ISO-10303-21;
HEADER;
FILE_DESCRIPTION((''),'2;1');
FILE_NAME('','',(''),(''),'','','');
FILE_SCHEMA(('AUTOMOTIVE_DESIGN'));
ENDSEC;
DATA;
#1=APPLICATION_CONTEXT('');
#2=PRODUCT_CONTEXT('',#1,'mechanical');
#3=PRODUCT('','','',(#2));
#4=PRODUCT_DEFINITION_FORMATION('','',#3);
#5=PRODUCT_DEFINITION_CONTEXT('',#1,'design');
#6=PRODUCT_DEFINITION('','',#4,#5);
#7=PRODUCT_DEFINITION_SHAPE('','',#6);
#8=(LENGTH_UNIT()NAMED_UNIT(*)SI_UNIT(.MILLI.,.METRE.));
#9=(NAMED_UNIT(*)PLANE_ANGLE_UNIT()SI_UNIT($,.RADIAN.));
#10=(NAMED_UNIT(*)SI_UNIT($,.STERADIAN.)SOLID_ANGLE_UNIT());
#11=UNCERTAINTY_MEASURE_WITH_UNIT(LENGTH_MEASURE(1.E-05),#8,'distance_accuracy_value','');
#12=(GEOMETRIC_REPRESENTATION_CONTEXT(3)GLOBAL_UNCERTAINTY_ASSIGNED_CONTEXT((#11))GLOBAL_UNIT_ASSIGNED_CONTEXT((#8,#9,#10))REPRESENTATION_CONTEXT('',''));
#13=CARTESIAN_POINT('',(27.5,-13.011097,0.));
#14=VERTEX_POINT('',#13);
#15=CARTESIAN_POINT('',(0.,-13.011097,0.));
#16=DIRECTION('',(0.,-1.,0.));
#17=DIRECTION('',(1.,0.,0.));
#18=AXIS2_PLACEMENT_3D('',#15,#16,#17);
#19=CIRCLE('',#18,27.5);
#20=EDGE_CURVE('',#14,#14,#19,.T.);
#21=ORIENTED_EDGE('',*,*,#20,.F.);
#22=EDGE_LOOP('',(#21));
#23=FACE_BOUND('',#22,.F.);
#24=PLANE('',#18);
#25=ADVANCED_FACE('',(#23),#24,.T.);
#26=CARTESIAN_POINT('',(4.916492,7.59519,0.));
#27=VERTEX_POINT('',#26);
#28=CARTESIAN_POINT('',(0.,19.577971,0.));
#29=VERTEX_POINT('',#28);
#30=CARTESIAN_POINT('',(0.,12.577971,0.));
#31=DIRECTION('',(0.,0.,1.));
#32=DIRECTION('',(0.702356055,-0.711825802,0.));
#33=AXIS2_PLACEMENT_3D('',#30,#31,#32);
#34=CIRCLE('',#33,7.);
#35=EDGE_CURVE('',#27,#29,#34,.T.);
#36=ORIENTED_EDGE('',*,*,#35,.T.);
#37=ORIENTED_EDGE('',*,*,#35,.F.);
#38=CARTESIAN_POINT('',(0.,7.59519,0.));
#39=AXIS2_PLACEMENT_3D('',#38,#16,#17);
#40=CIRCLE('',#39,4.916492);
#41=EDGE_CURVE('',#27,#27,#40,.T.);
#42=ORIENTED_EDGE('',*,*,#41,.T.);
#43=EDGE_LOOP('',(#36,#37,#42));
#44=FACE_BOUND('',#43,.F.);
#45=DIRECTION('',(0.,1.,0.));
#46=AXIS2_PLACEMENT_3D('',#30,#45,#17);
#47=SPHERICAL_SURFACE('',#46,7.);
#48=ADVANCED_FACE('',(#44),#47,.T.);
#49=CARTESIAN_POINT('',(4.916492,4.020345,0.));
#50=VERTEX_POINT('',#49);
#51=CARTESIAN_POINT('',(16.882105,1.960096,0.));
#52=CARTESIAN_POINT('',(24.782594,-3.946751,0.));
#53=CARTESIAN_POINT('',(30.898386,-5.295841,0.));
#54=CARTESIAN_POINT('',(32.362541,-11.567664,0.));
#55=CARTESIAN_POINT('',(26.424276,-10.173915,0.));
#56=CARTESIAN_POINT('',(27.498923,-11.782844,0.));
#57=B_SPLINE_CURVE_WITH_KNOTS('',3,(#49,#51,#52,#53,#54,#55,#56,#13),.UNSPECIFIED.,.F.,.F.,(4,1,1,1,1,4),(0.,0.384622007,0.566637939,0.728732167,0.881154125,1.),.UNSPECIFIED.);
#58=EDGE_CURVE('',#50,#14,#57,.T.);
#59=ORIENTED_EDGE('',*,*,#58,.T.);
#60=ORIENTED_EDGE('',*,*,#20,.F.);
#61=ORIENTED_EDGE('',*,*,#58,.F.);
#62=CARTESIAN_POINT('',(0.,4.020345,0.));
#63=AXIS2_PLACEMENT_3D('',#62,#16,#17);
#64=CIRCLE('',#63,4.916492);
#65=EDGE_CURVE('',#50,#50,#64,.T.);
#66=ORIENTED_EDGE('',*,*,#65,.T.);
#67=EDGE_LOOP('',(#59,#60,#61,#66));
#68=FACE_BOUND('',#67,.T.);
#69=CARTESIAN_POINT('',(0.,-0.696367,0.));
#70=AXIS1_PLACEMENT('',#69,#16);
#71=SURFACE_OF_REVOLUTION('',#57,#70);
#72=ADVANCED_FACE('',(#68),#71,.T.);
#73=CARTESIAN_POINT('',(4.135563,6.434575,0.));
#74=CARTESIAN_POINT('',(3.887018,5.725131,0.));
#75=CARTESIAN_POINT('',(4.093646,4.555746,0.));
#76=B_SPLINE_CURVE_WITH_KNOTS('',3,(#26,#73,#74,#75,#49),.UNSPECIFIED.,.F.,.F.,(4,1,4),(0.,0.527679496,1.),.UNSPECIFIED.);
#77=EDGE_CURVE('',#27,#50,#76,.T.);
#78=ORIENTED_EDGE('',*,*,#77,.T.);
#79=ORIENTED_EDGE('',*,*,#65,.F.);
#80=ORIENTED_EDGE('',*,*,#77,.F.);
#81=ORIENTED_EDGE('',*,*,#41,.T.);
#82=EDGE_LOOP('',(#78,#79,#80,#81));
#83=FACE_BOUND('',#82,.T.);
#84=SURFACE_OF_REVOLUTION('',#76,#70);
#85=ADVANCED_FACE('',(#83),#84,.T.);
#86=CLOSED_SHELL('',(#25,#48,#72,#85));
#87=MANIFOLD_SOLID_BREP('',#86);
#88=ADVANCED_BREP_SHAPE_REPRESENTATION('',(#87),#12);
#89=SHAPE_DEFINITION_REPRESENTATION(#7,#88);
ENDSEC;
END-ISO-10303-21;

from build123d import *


with BuildPart() as f1:
    # F0 (on Top) → F1 (revolve)
    with BuildSketch(Plane.XY):
        with BuildLine():
            add(Edge.make_bspline(
                [(4.9164923839, 7.5951903127), (4.1355634165, 6.434574539), (3.8870180741, 5.725131382), (4.0936464623, 4.5557464422), (4.9164923839, 4.0203445772)],
                knots=[0, 0, 0, 0, 0.5276794955, 1, 1, 1, 1], degree=3))
            ThreePointArc((4.9164923839, 7.5951903127), (6.4760892633, 15.2350873806), (0, 19.5779709259))
            Line((0, 19.5779709259), (0, -13.0110968819))
            Line((0, -13.0110968819), (27.5, -13.0110968819))
            add(Edge.make_bspline(
                [(4.9164923839, 4.0203445772), (16.8821053033, 1.9600962245), (24.7825936116, -3.9467509918), (30.898386016, -5.2958406807), (32.3625410605, -11.5676640433), (26.4242758116, -10.1739151458), (27.4989227398, -11.7828437459), (27.5, -13.0110968819)],
                knots=[0, 0, 0, 0, 0.3846220068, 0.5666379386, 0.7287321673, 0.8811541254, 1, 1, 1, 1], degree=3))
        make_face()
    revolve(axis=Axis((0, -0.6963665294, 0), (0, -1, 0)))


solid = f1.part
